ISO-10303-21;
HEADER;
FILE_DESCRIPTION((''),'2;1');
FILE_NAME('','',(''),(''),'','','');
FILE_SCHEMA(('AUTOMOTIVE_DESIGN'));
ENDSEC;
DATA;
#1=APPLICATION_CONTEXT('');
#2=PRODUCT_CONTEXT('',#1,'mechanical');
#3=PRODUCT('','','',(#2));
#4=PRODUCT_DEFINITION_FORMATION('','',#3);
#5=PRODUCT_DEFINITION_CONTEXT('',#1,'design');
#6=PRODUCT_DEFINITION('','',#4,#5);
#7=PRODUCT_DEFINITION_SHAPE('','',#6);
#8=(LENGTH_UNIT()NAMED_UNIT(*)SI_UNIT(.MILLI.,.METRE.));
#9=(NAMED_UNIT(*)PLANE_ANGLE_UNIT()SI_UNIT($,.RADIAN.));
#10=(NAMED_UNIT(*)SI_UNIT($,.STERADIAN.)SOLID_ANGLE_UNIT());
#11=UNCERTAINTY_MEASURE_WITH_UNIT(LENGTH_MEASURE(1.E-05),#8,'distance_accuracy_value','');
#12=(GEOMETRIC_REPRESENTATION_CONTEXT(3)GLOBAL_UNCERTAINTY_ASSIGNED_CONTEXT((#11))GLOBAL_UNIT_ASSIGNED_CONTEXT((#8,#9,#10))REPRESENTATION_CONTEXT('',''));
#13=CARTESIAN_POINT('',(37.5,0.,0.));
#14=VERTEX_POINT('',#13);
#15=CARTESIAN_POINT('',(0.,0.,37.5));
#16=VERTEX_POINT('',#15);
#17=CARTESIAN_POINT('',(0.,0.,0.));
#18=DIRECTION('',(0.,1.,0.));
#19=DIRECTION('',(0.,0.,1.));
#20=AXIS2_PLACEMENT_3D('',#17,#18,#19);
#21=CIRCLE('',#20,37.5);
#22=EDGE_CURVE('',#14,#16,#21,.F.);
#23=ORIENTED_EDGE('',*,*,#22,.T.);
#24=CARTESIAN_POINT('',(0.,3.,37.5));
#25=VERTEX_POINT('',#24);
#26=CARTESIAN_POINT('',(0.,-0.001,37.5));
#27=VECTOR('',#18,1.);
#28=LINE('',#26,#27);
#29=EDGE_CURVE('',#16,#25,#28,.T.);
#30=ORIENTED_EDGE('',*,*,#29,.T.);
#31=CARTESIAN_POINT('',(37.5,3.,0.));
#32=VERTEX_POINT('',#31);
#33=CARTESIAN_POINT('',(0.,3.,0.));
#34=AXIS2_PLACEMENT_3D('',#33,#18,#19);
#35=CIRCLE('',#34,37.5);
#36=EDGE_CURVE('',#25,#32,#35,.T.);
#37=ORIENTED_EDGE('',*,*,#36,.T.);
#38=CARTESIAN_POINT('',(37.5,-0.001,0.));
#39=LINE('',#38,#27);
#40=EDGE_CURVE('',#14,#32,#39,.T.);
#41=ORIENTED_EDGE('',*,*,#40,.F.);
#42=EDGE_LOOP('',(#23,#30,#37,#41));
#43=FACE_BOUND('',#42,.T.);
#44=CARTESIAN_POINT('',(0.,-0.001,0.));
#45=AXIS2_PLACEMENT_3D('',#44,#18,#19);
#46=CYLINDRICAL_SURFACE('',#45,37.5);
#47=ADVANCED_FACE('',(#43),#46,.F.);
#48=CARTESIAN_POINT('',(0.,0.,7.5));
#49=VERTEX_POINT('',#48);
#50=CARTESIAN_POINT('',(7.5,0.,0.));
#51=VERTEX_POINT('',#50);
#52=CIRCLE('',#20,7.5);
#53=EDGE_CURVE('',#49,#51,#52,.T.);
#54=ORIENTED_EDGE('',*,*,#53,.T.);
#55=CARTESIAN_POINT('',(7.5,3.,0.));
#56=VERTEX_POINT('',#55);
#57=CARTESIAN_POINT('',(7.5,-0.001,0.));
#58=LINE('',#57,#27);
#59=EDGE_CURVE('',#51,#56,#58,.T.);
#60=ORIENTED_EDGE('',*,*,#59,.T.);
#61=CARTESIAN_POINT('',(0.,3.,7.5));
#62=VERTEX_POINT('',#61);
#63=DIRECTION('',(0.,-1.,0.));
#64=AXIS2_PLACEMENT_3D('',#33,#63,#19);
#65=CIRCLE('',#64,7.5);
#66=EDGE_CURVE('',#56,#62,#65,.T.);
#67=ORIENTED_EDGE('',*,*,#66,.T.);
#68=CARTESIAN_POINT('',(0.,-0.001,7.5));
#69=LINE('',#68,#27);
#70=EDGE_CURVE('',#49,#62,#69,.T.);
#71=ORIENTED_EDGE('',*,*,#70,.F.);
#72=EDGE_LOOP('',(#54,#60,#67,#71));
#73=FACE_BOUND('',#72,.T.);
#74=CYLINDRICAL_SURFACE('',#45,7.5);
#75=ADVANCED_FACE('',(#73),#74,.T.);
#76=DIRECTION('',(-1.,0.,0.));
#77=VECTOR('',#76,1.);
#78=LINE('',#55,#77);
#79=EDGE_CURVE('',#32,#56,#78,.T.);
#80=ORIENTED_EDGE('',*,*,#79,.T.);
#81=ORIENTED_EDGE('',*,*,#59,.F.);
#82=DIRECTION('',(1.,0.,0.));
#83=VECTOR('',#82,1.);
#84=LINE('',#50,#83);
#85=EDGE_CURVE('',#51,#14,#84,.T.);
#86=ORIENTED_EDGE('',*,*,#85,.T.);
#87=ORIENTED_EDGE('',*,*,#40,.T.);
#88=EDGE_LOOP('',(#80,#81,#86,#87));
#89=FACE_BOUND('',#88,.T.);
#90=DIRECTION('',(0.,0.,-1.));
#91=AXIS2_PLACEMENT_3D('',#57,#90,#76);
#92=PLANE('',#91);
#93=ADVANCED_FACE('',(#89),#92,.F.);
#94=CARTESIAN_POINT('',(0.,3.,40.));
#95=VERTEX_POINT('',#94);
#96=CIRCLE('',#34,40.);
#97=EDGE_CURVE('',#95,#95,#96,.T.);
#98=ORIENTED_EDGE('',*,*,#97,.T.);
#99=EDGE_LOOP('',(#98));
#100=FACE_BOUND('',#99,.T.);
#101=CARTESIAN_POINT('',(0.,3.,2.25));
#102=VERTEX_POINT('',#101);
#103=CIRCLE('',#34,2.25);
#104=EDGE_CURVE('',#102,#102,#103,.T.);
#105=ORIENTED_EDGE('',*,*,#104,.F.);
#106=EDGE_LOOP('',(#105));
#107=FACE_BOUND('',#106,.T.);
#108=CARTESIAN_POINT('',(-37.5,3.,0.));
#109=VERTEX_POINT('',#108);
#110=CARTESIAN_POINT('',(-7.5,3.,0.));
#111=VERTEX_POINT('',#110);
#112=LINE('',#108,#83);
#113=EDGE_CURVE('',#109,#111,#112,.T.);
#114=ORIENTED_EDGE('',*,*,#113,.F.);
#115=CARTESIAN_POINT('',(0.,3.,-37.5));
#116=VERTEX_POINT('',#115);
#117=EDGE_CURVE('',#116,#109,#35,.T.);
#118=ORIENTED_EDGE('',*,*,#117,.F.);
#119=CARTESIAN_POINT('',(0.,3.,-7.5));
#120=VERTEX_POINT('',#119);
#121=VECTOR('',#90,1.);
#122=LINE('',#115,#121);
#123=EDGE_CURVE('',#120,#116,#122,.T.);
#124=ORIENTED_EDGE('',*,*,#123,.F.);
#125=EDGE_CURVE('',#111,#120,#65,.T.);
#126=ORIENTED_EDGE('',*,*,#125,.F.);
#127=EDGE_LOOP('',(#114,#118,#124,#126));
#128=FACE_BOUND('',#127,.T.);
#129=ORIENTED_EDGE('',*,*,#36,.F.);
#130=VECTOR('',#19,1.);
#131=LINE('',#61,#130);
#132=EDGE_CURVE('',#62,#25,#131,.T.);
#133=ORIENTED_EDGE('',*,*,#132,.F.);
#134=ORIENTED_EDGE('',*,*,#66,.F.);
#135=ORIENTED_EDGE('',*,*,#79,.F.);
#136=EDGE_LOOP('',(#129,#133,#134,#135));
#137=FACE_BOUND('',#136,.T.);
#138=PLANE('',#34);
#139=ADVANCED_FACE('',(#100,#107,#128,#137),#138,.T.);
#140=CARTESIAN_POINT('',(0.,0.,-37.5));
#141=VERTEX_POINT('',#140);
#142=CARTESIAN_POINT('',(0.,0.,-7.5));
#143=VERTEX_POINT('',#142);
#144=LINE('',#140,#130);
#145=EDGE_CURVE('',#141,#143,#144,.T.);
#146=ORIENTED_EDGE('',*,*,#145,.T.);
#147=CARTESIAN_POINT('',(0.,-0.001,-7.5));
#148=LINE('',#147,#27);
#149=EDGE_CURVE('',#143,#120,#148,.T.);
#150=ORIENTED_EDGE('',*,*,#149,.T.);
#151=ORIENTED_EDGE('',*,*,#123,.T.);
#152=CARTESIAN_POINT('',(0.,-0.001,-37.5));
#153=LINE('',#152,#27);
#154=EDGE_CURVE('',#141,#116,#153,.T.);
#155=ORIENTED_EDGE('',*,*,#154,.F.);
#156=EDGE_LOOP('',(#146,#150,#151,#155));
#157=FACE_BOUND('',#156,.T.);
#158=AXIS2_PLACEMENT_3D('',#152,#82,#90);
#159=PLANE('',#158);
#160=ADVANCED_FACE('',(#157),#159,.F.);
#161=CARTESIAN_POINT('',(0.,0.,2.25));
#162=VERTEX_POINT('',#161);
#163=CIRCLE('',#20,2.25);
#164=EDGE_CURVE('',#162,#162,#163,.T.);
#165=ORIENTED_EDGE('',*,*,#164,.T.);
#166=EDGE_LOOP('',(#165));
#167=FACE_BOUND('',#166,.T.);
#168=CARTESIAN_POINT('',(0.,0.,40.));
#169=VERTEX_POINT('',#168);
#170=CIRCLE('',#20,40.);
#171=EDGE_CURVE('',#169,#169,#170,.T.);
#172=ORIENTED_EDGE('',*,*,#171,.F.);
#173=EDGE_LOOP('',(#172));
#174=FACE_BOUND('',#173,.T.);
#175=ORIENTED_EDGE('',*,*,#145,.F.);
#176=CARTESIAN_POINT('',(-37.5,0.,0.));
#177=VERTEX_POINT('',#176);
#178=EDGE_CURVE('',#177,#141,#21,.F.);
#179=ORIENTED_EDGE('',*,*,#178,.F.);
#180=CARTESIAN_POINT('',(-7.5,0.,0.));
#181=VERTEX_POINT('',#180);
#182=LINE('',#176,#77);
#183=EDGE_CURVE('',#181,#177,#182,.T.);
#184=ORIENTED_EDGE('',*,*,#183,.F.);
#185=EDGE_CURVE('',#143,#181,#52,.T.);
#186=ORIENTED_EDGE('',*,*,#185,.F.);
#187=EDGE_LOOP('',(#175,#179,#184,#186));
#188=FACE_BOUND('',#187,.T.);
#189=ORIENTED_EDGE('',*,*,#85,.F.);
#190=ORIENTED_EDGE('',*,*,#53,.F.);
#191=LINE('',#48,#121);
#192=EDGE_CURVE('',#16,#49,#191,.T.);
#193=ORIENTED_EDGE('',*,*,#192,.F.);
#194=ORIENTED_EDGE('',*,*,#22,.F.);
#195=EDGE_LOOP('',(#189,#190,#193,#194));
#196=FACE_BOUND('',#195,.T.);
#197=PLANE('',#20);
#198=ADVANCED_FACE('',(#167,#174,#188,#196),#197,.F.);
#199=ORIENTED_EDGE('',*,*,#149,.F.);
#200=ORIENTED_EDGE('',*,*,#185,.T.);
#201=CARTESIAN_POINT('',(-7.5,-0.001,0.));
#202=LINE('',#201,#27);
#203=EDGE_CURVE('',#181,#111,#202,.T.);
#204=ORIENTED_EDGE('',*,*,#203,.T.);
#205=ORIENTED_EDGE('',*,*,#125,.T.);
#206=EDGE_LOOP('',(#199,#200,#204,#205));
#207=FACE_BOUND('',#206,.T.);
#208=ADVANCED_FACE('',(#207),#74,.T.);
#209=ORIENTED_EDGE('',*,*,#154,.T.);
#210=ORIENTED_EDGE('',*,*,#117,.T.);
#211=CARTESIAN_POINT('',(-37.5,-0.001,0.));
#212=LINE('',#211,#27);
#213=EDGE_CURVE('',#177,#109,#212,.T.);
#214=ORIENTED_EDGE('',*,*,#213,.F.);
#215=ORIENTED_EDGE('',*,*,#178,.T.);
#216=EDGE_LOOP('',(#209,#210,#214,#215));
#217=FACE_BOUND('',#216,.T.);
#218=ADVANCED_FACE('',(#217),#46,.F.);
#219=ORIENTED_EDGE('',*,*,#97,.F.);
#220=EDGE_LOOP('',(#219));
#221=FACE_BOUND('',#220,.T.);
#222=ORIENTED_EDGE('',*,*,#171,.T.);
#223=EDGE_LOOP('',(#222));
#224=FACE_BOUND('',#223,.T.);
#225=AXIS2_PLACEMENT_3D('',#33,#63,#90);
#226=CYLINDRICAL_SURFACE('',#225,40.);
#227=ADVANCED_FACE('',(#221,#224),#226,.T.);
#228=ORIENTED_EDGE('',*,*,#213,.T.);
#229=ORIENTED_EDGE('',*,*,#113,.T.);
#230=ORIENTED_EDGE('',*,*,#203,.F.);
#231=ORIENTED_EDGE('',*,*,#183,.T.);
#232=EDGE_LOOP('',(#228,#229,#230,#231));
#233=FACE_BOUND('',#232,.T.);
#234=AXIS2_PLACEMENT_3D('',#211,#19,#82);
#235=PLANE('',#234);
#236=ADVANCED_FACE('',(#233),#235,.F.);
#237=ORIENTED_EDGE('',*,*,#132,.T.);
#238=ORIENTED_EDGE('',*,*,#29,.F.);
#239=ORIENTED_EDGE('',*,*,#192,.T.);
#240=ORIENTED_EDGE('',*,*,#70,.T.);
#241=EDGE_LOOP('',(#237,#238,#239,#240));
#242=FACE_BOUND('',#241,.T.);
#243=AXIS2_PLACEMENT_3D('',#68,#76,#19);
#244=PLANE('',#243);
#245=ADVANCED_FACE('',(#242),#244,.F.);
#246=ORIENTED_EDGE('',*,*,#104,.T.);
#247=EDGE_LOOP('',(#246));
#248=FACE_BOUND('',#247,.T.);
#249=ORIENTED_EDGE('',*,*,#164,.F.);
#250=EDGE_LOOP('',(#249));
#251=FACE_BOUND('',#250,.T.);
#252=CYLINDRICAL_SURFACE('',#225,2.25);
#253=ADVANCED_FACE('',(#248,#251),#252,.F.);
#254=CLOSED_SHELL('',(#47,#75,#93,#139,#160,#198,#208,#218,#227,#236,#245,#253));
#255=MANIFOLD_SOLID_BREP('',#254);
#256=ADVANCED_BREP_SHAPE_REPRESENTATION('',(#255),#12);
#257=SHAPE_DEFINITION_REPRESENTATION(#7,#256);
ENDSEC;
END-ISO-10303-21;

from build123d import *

# Parameters (mm, degrees)
SKETCH_1_R          = 40
SKETCH_1_R_2        = 2.25
EXTRUDE_1_DEPTH     = 3
CUT_EXTRUDE_1_REACH = 58.648


with BuildPart() as part:
    # 草图1 → 凸台-拉伸1 (new body)
    with BuildSketch(Plane(origin=(0, 0, 0), x_dir=(1, 0, 0), z_dir=(0, 1, 0))):
        with Locations(Location((0, 0, 0), (0, 0, 270))):
            Circle(SKETCH_1_R)
        with Locations(Location((0, 0, 0), (0, 0, 270))):
            Circle(SKETCH_1_R_2, mode=Mode.SUBTRACT)
    extrude(amount=EXTRUDE_1_DEPTH)

    # 草图2 → 切除-拉伸1 (cut, up to next)
    with BuildSketch(Plane(origin=(0, 3, 0), x_dir=(1, 0, 0), z_dir=(0, 1, 0)), mode=Mode.PRIVATE) as cut_extrude_1_sk1:
        with BuildLine():
            Line((-37.5, 0), (-7.5, 0))
            ThreePointArc((-7.5, 0), (-5.303300859, 5.303300859), (0, 7.5))
            Line((0, 7.5), (0, 37.5))
            ThreePointArc((0, 37.5), (-26.516504294, 26.516504294), (-37.5, 0))
        make_face()
    cut_extrude_1_tool1 = extrude(cut_extrude_1_sk1.sketch, amount=-CUT_EXTRUDE_1_REACH, mode=Mode.PRIVATE) & part.part
    # 草图2 → 切除-拉伸1 (cut, up to next)
    with BuildSketch(Plane(origin=(0, 3, 0), x_dir=(1, 0, 0), z_dir=(0, 1, 0)), mode=Mode.PRIVATE) as cut_extrude_1_sk2:
        with BuildLine():
            Line((7.5, 0), (37.5, 0))
            ThreePointArc((37.5, 0), (26.516504294, -26.516504294), (0, -37.5))
            Line((0, -37.5), (0, -7.5))
            ThreePointArc((0, -7.5), (5.303300859, -5.303300859), (7.5, 0))
        make_face()
    cut_extrude_1_tool2 = extrude(cut_extrude_1_sk2.sketch, amount=-CUT_EXTRUDE_1_REACH, mode=Mode.PRIVATE) & part.part
    add(cut_extrude_1_tool1.solids().sort_by_distance((-16.446011, 3, -16.446011))[0], mode=Mode.SUBTRACT)
    add(cut_extrude_1_tool2.solids().sort_by_distance((16.446011, 3, 16.446011))[0], mode=Mode.SUBTRACT)


solid = part.part
